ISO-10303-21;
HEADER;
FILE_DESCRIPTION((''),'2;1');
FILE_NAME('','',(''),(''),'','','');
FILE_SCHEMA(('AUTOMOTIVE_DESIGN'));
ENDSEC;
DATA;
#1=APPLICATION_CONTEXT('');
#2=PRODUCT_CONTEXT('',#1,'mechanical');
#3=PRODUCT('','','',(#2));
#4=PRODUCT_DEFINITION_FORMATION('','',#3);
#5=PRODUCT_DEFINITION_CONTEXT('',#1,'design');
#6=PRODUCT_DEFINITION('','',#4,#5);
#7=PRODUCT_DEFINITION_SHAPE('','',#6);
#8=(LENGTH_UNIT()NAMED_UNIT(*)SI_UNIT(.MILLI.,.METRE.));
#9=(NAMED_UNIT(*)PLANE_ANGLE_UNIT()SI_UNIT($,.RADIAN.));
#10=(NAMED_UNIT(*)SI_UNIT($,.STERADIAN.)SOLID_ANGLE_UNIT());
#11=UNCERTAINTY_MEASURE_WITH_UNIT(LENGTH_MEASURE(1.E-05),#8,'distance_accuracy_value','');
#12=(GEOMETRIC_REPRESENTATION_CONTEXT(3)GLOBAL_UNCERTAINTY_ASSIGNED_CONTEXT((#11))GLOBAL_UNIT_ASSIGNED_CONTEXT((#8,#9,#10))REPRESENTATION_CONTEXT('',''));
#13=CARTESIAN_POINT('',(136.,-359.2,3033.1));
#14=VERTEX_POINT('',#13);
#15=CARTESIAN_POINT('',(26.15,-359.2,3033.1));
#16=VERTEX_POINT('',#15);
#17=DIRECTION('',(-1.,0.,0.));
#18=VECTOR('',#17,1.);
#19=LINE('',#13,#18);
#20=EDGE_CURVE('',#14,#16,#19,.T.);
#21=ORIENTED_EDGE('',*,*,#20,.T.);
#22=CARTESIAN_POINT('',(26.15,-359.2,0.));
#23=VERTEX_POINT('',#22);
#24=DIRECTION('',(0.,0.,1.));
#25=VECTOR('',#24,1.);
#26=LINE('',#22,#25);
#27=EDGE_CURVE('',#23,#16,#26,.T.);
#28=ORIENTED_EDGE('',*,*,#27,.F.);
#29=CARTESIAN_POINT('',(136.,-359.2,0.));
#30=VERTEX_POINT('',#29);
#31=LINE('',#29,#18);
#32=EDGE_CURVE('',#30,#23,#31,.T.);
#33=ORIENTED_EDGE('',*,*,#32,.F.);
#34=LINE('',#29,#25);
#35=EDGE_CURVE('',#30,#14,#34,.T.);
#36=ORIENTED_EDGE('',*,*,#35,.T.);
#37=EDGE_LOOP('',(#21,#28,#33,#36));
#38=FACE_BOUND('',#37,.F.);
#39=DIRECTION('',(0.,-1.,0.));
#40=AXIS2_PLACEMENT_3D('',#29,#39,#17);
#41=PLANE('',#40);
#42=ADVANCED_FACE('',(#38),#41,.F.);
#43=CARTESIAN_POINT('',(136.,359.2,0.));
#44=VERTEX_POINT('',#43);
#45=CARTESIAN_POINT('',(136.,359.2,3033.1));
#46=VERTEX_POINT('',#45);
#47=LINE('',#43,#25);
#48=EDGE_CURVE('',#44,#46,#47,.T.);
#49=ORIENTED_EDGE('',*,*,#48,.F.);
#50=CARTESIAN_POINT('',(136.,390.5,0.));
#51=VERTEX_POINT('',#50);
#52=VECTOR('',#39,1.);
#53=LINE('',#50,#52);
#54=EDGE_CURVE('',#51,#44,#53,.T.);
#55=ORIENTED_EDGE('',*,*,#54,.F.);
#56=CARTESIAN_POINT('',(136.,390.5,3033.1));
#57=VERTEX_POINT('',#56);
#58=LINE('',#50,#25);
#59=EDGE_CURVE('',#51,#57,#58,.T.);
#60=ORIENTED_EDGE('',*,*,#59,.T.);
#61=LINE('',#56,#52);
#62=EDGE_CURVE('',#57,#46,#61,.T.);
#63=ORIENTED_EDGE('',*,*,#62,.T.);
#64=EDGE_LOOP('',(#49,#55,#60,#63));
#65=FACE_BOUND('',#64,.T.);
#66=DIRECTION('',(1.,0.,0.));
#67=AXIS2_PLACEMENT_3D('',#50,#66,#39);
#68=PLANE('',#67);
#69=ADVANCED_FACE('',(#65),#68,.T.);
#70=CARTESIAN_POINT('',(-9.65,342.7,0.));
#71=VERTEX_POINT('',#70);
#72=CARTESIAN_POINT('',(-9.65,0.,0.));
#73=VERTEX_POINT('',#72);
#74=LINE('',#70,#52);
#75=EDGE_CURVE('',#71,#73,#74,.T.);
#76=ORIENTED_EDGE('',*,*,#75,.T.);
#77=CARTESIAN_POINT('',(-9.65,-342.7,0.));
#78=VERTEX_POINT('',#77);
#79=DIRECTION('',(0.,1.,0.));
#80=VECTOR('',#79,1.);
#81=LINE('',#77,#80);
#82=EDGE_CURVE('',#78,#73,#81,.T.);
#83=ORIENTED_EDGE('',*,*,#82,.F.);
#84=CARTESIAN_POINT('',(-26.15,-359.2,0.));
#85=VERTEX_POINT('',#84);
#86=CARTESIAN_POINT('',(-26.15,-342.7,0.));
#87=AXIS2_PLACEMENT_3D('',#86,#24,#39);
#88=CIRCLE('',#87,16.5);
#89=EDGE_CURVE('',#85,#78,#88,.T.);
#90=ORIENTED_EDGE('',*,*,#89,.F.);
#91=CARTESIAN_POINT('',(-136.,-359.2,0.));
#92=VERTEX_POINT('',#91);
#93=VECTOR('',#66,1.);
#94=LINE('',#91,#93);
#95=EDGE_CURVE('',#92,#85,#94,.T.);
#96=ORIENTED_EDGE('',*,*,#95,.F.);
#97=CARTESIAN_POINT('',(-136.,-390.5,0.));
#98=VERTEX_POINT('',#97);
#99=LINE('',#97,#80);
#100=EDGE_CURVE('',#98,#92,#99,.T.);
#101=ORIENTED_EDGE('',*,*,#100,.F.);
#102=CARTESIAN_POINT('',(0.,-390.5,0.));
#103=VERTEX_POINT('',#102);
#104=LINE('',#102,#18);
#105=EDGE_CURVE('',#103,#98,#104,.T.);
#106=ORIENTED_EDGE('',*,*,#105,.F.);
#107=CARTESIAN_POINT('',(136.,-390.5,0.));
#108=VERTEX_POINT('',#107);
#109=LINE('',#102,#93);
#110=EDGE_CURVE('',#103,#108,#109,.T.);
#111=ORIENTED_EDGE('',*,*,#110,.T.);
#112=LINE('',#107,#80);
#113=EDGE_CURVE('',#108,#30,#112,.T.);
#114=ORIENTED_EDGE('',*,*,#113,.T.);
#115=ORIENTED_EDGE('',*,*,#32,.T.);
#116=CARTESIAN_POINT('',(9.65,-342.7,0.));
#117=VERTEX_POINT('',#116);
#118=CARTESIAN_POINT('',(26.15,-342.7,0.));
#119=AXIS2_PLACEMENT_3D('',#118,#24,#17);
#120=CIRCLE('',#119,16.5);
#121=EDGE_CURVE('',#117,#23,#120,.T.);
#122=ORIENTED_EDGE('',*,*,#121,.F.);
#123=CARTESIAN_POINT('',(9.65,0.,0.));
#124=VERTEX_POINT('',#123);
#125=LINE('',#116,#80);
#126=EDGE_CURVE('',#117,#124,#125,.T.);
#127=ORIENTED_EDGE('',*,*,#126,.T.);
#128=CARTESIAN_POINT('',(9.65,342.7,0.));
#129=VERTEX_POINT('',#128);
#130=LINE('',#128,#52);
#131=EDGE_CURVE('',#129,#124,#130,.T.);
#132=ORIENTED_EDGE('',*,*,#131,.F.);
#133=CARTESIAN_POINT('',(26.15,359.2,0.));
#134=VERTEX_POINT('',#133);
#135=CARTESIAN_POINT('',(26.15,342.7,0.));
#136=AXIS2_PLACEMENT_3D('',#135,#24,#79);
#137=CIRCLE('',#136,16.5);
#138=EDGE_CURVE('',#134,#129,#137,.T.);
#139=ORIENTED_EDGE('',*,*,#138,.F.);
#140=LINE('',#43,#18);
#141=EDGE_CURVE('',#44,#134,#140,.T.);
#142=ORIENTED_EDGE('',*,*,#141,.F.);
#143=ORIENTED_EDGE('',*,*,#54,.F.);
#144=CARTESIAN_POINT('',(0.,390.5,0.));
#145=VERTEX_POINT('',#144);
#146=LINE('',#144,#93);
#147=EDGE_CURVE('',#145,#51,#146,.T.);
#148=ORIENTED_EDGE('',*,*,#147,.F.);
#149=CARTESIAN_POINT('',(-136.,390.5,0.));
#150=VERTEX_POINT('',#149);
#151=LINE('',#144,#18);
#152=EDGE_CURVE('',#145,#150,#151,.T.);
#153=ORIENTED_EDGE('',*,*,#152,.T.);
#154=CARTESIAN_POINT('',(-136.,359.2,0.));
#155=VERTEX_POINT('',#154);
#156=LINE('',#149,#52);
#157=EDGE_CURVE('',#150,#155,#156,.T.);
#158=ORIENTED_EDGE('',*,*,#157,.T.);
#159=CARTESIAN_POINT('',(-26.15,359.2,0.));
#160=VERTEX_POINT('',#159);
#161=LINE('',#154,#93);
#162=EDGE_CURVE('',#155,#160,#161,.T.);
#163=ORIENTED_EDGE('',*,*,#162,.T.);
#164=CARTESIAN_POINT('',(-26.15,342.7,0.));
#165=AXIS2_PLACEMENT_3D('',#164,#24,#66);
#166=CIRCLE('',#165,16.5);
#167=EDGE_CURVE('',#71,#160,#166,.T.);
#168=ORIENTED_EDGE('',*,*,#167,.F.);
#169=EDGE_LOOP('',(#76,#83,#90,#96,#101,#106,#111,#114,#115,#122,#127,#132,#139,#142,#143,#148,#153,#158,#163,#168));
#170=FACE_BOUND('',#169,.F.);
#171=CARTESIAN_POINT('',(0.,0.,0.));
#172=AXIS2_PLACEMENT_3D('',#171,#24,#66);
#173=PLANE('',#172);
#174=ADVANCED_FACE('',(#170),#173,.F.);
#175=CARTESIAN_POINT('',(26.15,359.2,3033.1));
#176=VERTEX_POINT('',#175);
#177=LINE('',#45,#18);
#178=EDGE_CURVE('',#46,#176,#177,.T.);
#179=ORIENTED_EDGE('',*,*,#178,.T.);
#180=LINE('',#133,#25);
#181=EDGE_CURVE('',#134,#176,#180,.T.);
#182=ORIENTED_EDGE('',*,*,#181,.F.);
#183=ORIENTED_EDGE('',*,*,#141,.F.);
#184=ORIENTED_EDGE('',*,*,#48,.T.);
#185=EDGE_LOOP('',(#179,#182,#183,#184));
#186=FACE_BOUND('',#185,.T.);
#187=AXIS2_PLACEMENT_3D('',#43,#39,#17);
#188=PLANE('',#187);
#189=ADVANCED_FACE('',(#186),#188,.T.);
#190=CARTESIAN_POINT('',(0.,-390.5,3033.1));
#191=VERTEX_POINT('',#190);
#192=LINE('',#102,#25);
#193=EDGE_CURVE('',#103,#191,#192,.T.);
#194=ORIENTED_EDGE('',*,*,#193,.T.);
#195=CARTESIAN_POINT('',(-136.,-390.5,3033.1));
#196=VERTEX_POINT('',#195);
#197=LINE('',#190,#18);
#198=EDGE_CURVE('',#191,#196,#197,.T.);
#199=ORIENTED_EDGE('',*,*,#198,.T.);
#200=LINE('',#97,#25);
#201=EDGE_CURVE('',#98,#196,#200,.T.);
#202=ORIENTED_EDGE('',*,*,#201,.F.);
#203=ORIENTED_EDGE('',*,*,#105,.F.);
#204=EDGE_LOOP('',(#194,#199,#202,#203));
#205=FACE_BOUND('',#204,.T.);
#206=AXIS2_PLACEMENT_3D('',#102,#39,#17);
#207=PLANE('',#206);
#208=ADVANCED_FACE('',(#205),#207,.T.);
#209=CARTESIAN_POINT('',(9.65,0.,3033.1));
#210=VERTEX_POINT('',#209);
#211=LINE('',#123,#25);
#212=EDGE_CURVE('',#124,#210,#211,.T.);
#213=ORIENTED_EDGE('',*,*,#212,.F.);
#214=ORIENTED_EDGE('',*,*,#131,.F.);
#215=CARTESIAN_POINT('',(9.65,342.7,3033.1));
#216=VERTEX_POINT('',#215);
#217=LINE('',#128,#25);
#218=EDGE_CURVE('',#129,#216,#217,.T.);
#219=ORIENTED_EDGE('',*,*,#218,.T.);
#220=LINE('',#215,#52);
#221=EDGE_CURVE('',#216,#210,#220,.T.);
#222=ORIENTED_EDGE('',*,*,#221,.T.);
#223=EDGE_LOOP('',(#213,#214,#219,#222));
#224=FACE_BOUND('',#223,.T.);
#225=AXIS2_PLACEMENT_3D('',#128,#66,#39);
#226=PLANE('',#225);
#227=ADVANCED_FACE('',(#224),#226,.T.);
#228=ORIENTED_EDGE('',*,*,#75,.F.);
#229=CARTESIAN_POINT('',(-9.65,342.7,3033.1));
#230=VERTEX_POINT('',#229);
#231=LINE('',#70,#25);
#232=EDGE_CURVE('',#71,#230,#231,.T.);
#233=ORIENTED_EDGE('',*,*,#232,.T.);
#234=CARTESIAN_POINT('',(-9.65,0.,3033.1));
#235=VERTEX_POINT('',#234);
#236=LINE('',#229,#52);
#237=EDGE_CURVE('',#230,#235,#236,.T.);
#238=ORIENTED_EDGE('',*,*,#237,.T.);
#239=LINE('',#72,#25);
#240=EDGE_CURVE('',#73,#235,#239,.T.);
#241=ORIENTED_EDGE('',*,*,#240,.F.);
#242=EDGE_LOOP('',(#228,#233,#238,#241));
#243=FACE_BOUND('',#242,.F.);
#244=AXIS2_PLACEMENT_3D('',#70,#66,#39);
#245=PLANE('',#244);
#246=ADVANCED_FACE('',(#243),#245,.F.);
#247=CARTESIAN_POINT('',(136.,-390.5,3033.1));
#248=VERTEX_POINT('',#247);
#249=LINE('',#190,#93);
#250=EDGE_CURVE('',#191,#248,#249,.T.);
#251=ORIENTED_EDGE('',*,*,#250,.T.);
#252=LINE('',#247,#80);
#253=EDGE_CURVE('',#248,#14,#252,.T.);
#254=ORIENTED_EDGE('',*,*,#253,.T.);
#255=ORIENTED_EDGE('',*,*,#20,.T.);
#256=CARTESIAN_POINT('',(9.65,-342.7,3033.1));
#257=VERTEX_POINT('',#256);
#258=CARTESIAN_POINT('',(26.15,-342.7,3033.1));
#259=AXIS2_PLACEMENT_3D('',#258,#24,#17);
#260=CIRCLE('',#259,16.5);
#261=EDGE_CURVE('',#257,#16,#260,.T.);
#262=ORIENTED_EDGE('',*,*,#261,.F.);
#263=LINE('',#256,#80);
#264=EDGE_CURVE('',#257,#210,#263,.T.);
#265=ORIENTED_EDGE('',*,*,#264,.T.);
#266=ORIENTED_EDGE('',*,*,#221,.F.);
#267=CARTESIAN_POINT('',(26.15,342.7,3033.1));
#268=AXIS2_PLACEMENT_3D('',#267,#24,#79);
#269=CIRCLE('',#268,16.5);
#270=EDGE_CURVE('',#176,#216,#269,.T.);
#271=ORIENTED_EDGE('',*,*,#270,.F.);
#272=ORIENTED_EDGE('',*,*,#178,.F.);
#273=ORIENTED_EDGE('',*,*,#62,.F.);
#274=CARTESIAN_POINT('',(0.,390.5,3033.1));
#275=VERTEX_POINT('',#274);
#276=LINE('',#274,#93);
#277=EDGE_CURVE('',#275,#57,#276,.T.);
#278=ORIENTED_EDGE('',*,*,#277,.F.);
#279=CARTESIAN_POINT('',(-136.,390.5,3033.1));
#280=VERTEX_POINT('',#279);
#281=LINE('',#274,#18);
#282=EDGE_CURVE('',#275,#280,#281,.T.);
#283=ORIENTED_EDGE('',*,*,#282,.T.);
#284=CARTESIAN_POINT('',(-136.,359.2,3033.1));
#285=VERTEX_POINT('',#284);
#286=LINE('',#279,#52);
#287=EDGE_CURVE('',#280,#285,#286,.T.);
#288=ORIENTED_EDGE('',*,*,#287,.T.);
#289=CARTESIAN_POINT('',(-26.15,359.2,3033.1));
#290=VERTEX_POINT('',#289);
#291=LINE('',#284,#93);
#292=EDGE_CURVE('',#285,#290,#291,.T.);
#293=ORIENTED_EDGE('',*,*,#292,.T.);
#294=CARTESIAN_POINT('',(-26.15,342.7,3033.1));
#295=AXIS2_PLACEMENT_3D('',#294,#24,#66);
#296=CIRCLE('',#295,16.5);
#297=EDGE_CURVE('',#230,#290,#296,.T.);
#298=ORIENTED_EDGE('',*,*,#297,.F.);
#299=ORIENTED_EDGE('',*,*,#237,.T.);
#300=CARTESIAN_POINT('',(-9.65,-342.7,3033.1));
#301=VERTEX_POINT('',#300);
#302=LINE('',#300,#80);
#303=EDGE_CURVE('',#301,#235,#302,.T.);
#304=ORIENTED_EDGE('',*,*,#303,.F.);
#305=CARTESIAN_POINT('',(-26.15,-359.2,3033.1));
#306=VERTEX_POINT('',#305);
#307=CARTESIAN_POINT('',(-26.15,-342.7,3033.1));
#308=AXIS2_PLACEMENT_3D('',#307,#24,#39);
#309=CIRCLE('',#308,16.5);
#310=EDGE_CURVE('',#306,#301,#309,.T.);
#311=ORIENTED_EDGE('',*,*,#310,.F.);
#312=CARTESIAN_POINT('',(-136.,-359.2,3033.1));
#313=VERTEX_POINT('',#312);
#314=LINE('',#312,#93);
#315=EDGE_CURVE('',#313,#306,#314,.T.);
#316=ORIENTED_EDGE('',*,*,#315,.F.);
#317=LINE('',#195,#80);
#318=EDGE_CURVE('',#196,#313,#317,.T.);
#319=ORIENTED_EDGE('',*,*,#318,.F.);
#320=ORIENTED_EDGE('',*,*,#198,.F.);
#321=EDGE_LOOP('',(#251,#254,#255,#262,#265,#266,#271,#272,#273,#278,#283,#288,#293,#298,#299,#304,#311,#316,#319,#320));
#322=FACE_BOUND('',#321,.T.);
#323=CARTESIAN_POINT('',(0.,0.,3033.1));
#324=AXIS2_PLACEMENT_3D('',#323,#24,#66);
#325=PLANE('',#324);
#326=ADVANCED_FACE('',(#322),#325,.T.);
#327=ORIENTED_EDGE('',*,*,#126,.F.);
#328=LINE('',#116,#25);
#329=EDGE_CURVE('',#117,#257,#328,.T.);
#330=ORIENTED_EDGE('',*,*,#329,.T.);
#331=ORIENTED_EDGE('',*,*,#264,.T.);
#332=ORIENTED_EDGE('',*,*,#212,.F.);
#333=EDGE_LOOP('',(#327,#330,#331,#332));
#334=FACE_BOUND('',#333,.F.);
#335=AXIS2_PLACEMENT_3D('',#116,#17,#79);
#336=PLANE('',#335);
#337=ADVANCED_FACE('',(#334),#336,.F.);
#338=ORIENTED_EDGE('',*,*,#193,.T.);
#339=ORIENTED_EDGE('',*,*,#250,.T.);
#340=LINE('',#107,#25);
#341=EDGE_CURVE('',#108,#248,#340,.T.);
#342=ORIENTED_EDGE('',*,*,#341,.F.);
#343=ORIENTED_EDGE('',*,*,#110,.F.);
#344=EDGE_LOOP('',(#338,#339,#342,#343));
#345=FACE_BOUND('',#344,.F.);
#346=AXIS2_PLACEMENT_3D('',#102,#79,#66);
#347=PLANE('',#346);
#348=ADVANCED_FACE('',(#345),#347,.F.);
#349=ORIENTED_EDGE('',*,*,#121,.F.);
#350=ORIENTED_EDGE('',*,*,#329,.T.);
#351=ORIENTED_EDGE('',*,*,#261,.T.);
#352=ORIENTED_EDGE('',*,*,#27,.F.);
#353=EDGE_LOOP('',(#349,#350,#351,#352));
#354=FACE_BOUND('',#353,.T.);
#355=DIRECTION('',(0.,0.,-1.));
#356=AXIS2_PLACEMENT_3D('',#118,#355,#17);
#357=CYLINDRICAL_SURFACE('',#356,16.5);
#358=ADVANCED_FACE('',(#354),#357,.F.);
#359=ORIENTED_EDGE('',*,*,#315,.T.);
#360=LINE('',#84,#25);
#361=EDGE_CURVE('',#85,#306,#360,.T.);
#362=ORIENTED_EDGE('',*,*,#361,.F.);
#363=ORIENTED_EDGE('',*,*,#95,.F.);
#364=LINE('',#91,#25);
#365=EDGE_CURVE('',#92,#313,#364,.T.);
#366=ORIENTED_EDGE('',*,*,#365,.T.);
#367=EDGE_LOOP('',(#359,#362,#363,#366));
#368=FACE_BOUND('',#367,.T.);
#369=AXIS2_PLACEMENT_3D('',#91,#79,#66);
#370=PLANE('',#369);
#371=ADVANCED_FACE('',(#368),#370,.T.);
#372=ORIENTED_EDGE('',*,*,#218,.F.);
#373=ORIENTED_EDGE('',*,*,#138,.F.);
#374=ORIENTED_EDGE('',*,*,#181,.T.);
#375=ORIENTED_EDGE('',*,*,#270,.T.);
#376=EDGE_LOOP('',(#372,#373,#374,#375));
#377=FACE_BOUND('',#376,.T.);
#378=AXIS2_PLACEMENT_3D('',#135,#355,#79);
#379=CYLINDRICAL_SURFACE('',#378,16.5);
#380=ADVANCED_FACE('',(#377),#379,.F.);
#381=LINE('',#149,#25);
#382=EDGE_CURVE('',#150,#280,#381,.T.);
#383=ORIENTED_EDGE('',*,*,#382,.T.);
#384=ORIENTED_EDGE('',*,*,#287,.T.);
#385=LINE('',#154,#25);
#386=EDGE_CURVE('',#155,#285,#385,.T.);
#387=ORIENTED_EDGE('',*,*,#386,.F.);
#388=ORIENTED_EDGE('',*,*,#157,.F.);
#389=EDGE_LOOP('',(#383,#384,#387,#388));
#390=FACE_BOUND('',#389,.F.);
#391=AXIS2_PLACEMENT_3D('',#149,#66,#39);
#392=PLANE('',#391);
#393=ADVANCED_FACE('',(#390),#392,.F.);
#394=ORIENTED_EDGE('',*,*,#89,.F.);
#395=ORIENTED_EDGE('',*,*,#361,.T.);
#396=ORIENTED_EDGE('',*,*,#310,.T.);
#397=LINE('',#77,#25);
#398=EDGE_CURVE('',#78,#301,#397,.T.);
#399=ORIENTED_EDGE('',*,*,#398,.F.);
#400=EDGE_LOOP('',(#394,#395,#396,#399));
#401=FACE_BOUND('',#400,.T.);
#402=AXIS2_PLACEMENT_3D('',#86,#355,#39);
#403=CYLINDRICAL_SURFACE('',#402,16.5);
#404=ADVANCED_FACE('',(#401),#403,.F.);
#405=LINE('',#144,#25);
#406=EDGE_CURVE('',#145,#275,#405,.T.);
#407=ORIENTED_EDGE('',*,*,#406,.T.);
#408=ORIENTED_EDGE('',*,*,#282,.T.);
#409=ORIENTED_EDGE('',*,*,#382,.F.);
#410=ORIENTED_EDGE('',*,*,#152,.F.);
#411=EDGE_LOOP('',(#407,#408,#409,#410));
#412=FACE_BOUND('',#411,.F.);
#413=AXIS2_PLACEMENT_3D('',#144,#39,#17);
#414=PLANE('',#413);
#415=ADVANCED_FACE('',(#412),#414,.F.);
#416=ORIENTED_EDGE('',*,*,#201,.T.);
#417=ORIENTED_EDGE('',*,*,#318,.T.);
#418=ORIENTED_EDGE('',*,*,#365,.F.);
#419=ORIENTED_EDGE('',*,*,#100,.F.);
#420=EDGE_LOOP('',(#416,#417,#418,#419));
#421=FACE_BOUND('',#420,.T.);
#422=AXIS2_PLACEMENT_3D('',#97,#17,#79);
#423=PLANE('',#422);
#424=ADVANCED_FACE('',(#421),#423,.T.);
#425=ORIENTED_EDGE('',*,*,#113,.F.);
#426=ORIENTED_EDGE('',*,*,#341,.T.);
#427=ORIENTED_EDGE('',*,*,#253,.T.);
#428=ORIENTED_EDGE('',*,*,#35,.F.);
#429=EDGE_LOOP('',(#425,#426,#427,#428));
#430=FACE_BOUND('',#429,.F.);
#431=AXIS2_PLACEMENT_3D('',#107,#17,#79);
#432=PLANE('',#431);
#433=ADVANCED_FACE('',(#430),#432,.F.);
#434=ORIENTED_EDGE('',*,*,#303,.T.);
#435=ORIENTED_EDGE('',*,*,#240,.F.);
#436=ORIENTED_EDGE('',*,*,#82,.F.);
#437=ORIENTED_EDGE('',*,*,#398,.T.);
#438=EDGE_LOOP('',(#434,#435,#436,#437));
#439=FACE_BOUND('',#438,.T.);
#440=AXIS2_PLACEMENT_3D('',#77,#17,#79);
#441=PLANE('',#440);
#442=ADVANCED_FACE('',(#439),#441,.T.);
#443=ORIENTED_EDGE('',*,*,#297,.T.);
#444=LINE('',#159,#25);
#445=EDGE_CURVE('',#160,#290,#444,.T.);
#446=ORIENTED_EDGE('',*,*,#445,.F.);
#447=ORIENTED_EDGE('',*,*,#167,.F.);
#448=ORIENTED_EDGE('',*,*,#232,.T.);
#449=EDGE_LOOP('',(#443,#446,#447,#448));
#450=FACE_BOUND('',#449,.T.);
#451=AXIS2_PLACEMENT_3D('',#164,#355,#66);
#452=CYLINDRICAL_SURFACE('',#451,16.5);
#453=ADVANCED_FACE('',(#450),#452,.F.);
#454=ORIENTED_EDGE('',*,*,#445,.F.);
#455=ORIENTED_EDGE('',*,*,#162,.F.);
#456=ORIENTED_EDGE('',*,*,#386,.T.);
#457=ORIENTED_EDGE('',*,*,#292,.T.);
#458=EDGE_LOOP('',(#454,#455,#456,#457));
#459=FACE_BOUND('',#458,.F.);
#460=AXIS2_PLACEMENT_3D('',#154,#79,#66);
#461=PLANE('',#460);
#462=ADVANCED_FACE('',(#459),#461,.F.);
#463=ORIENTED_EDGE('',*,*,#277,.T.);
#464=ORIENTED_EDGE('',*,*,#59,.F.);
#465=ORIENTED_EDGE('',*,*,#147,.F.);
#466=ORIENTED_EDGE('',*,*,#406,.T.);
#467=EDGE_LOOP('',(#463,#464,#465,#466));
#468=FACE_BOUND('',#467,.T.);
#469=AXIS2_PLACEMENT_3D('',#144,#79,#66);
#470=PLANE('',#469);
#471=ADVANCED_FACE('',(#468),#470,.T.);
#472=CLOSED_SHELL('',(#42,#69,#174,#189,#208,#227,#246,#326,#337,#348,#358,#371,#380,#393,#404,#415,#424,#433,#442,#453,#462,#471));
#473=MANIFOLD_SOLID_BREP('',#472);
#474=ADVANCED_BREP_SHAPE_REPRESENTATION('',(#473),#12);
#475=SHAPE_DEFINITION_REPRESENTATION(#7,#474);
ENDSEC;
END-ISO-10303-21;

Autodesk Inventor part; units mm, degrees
ref_plane "YZ Plane" through (0, 0, 0) normal (1, 0, 0) x (0, 1, 0)
ref_plane "Start plane" through (0, 0, 0) normal (0, 0, 1) x (1, 0, 0)
ref_plane "End plane" through (0, 0, 3033.1) normal (0, 0, 1) x (1, 0, 0)
sketch "Sketch" plane through (0, 0, 0) normal (0, 0, 1) x (1, 0, 0)
  line L0 (-136, -390.5) -> (-136, -359.2)
  line L1 (-136, -359.2) -> (-26.15, -359.2)
  line L2 (-9.65, -342.7) -> (-9.65, 0)
  line L3 (-9.65, 0) -> (0, 0) construction
  line L4 (0, 0) -> (0, -390.5) construction
  line L5 (0, -390.5) -> (-136, -390.5)
  line L6 (-60, 0) -> (80, 0) construction
  line L7 (0, -60) -> (0, 80) construction
  line L8 (136, -390.5) -> (136, -359.2)
  line L9 (136, -359.2) -> (26.15, -359.2)
  line L10 (9.65, -342.7) -> (9.65, 0)
  line L11 (9.65, 0) -> (0, 0) construction
  line L12 (0, -390.5) -> (136, -390.5)
  line L13 (-136, 390.5) -> (-136, 359.2)
  line L14 (-136, 359.2) -> (-26.15, 359.2)
  line L15 (-9.65, 342.7) -> (-9.65, 0)
  line L16 (0, 390.5) -> (-136, 390.5)
  line L17 (136, 390.5) -> (136, 359.2)
  line L18 (136, 359.2) -> (26.15, 359.2)
  line L19 (0, 390.5) -> (136, 390.5)
  line L20 (9.65, 342.7) -> (9.65, 0)
  arc A0 (-9.65, 342.7) -> (-26.15, 359.2) centre (-26.15, 342.7) ccw
  arc A1 (26.15, 359.2) -> (9.65, 342.7) centre (26.15, 342.7) ccw
  arc A2 (9.65, -342.7) -> (26.15, -359.2) centre (26.15, -342.7) ccw
  arc A3 (-26.15, -359.2) -> (-9.65, -342.7) centre (-26.15, -342.7) ccw
  line L21 (0, 108) -> (0, -88) construction
  line L22 (-88, 0) -> (108, 0) construction
  point P0 (-9.65, -359.2)
  point P1 (9.65, -359.2)
  point P2 (-9.65, 359.2)
  point P3 (9.65, 359.2)
  dimension "d1" = 390.5
  dimension "d2" = 31.3
  dimension "d3" = 136
  dimension "d4" = 9.65
  dimension "d10" = 16.5
extrude "Body" add sketch "Sketch" along normal up to surface (3033.1 mm away) from surface at 0
sketch "Sketch4" plane through (0, 0, 0) normal (0, 0, 1) x (1, 0, 0)
  line L0 (0, 0) -> (10, 0)
ref_plane "Work Plane3" through (0, 0, 0) normal (0, -1, 0) x (1, 0, 0)
sketch "Sketch5" plane through (0, 0, 0) normal (0, -1, 0) x (1, 0, 0)
  line L0 (-2, 0) -> (12, 0) projected
  line L1 (-2, 3033.1) -> (12, 3033.1) projected
  dimension "d14" = 3033.1
equation "\"d1\" = 0.5 * G_H"
equation "\"d2\" = G_T1"
equation "\"d3\" = 0.5 * G_W"
equation "\"d4\" = 0.5 * G_T"
equation "\"d10\" = G_IR"
equation "\"d5\" = G_L"
equation "\"G_W\" = 272"
equation "\"G_H\" = 781"
equation "\"G_T\" = 19.3"
equation "\"G_T1\" = 31.3"
equation "\"G_IR\" = 16.5"
equation "\"G_L\" = d14"
equation "\"G_OFFSET_START\" = 0"
equation "\"G_OFFSET_END\" = 0"
equation "\"d12\" = G_OFFSET_END + B_L"
equation "\"B_L\" = 3033.1"
properties part number "AS 3679-1990 - 760 UB - 244 - 3033.1" material "Steel, Mild"
